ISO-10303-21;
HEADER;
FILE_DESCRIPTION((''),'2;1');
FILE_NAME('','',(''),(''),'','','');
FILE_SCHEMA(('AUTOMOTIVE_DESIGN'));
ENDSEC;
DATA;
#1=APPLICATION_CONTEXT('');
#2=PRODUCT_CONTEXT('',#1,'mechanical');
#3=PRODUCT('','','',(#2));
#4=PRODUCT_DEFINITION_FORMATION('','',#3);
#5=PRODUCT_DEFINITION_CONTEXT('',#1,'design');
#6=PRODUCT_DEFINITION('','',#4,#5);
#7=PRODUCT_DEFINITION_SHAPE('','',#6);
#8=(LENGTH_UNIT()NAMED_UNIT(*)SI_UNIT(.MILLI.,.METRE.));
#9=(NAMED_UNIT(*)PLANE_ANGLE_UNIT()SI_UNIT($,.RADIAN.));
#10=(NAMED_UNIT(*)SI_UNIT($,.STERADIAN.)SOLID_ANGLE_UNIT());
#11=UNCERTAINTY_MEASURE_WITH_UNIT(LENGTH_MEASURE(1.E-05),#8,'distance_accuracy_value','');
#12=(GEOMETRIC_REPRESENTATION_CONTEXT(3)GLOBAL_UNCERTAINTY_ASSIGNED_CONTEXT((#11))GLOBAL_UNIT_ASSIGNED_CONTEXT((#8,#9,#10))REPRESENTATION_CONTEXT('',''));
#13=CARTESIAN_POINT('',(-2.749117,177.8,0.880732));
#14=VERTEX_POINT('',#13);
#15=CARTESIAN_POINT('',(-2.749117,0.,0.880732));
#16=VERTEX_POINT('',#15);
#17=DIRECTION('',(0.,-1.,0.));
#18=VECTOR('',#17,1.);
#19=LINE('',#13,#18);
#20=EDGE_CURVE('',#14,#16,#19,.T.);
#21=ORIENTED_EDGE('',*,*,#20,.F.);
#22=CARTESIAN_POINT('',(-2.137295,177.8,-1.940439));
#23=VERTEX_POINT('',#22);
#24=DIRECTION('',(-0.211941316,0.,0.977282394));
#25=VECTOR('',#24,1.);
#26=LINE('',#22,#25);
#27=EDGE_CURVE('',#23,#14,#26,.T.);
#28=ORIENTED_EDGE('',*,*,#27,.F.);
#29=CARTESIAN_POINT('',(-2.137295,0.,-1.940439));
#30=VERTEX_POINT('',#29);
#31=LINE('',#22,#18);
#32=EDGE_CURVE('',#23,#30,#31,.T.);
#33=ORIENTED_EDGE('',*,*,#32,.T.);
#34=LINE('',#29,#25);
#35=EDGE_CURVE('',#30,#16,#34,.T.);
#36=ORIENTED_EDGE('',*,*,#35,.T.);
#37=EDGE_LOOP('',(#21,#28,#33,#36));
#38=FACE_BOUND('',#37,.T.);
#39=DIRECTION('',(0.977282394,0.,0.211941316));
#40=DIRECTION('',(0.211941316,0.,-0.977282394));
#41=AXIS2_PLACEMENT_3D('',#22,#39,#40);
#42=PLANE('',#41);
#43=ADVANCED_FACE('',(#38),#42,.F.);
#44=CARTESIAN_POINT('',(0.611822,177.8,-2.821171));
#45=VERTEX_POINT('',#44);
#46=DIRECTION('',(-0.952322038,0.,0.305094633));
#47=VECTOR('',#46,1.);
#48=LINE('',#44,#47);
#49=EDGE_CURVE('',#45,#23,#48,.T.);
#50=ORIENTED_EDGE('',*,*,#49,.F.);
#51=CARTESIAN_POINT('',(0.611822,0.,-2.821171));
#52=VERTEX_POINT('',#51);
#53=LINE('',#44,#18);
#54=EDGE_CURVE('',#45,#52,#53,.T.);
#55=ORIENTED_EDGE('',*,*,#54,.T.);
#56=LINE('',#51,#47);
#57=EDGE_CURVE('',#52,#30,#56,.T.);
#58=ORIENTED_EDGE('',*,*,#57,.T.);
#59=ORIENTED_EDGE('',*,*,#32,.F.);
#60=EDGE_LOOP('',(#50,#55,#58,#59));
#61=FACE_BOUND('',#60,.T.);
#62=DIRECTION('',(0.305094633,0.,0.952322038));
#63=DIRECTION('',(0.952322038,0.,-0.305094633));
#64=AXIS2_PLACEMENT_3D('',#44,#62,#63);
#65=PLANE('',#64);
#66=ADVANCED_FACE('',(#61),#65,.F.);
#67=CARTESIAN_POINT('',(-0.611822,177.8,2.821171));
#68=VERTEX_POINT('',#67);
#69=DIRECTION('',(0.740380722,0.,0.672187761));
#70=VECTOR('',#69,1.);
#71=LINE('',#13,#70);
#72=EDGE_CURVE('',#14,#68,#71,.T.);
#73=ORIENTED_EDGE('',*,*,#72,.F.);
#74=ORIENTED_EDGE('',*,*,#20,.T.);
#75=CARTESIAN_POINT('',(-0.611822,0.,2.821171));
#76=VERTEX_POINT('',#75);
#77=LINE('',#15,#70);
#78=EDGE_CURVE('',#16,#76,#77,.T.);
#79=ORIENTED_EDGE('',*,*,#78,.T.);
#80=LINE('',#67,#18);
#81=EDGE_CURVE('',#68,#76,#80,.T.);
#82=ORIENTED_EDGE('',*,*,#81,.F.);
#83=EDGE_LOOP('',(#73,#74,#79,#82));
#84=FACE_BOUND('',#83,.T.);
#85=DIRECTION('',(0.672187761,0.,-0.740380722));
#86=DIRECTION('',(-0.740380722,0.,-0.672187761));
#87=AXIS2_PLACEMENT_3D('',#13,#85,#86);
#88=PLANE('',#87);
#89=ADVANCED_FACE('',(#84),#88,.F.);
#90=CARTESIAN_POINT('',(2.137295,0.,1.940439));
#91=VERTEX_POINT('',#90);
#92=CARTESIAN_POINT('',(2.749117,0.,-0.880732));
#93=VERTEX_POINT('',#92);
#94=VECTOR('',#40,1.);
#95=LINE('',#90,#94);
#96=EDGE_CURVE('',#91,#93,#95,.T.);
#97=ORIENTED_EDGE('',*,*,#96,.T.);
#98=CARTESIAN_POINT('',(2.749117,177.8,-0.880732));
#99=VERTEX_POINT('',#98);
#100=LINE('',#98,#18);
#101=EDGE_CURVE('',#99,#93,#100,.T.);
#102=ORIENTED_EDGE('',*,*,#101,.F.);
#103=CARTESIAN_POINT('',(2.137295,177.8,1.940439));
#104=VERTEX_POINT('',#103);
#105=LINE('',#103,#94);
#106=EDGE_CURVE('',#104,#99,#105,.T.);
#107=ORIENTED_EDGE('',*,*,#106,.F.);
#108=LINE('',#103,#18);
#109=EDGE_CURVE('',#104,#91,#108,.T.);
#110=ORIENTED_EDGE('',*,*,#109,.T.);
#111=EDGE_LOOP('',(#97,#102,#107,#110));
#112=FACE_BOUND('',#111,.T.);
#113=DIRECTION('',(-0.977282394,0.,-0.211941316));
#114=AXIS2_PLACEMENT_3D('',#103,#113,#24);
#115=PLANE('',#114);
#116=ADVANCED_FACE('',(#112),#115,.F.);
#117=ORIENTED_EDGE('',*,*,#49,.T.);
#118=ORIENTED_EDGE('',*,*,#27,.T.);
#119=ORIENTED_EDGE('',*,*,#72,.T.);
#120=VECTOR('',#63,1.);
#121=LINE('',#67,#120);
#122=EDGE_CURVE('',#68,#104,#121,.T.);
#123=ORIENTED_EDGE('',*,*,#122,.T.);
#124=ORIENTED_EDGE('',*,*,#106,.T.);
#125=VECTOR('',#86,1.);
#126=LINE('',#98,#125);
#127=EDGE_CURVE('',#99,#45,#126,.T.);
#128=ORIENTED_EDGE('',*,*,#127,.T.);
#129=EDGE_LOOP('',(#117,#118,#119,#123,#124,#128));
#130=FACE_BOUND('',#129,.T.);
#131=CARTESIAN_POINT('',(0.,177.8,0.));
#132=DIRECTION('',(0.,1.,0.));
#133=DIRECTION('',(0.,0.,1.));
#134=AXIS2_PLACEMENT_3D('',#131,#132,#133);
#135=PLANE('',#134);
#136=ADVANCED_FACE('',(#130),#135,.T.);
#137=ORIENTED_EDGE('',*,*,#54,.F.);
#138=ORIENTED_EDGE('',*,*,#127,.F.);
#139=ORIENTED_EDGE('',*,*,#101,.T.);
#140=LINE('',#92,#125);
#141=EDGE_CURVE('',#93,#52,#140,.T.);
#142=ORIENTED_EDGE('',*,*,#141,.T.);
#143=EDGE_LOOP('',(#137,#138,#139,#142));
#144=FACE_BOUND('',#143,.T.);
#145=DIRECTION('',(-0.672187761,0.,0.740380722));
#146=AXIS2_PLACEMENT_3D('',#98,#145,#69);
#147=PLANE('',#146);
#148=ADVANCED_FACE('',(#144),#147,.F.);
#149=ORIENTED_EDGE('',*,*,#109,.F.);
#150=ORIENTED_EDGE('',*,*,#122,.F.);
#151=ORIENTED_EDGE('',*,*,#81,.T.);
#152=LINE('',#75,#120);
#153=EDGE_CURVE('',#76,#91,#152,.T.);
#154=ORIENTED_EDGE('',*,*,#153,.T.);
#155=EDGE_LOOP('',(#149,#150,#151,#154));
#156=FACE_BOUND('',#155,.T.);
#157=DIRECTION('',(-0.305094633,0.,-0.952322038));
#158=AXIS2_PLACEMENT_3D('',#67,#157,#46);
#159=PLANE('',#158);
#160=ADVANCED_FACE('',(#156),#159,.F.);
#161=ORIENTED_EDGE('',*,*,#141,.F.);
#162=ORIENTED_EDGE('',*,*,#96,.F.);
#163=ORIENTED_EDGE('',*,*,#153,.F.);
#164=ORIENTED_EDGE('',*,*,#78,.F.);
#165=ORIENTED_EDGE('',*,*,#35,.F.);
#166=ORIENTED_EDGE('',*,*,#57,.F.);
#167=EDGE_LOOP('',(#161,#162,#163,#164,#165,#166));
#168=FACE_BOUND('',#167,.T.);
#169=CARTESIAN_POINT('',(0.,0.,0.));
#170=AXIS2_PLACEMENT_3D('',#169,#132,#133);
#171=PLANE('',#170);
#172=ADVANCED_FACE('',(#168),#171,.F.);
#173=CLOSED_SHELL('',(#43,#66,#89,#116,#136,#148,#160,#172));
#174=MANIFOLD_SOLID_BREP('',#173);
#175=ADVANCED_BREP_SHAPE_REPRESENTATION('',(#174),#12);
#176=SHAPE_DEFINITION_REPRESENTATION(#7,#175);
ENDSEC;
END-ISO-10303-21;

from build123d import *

# Parameters (mm, degrees)
BOSS_EXTRUDE1_DEPTH = 177.8


with BuildPart() as part:
    # Sketch2 → Boss-Extrude1 (new body)
    with BuildSketch(Plane(origin=(0, 0, 0), x_dir=(1, 0, 0), z_dir=(0, 1, 0))):
        Polygon((2.137295047, -1.940438924), (2.749116926, 0.880732344), (0.611821879, 2.821171268), (-2.137295047, 1.940438924), (-2.749116926, -0.880732344), (-0.611821879, -2.821171268), align=None)
    extrude(amount=BOSS_EXTRUDE1_DEPTH)


solid = part.part
